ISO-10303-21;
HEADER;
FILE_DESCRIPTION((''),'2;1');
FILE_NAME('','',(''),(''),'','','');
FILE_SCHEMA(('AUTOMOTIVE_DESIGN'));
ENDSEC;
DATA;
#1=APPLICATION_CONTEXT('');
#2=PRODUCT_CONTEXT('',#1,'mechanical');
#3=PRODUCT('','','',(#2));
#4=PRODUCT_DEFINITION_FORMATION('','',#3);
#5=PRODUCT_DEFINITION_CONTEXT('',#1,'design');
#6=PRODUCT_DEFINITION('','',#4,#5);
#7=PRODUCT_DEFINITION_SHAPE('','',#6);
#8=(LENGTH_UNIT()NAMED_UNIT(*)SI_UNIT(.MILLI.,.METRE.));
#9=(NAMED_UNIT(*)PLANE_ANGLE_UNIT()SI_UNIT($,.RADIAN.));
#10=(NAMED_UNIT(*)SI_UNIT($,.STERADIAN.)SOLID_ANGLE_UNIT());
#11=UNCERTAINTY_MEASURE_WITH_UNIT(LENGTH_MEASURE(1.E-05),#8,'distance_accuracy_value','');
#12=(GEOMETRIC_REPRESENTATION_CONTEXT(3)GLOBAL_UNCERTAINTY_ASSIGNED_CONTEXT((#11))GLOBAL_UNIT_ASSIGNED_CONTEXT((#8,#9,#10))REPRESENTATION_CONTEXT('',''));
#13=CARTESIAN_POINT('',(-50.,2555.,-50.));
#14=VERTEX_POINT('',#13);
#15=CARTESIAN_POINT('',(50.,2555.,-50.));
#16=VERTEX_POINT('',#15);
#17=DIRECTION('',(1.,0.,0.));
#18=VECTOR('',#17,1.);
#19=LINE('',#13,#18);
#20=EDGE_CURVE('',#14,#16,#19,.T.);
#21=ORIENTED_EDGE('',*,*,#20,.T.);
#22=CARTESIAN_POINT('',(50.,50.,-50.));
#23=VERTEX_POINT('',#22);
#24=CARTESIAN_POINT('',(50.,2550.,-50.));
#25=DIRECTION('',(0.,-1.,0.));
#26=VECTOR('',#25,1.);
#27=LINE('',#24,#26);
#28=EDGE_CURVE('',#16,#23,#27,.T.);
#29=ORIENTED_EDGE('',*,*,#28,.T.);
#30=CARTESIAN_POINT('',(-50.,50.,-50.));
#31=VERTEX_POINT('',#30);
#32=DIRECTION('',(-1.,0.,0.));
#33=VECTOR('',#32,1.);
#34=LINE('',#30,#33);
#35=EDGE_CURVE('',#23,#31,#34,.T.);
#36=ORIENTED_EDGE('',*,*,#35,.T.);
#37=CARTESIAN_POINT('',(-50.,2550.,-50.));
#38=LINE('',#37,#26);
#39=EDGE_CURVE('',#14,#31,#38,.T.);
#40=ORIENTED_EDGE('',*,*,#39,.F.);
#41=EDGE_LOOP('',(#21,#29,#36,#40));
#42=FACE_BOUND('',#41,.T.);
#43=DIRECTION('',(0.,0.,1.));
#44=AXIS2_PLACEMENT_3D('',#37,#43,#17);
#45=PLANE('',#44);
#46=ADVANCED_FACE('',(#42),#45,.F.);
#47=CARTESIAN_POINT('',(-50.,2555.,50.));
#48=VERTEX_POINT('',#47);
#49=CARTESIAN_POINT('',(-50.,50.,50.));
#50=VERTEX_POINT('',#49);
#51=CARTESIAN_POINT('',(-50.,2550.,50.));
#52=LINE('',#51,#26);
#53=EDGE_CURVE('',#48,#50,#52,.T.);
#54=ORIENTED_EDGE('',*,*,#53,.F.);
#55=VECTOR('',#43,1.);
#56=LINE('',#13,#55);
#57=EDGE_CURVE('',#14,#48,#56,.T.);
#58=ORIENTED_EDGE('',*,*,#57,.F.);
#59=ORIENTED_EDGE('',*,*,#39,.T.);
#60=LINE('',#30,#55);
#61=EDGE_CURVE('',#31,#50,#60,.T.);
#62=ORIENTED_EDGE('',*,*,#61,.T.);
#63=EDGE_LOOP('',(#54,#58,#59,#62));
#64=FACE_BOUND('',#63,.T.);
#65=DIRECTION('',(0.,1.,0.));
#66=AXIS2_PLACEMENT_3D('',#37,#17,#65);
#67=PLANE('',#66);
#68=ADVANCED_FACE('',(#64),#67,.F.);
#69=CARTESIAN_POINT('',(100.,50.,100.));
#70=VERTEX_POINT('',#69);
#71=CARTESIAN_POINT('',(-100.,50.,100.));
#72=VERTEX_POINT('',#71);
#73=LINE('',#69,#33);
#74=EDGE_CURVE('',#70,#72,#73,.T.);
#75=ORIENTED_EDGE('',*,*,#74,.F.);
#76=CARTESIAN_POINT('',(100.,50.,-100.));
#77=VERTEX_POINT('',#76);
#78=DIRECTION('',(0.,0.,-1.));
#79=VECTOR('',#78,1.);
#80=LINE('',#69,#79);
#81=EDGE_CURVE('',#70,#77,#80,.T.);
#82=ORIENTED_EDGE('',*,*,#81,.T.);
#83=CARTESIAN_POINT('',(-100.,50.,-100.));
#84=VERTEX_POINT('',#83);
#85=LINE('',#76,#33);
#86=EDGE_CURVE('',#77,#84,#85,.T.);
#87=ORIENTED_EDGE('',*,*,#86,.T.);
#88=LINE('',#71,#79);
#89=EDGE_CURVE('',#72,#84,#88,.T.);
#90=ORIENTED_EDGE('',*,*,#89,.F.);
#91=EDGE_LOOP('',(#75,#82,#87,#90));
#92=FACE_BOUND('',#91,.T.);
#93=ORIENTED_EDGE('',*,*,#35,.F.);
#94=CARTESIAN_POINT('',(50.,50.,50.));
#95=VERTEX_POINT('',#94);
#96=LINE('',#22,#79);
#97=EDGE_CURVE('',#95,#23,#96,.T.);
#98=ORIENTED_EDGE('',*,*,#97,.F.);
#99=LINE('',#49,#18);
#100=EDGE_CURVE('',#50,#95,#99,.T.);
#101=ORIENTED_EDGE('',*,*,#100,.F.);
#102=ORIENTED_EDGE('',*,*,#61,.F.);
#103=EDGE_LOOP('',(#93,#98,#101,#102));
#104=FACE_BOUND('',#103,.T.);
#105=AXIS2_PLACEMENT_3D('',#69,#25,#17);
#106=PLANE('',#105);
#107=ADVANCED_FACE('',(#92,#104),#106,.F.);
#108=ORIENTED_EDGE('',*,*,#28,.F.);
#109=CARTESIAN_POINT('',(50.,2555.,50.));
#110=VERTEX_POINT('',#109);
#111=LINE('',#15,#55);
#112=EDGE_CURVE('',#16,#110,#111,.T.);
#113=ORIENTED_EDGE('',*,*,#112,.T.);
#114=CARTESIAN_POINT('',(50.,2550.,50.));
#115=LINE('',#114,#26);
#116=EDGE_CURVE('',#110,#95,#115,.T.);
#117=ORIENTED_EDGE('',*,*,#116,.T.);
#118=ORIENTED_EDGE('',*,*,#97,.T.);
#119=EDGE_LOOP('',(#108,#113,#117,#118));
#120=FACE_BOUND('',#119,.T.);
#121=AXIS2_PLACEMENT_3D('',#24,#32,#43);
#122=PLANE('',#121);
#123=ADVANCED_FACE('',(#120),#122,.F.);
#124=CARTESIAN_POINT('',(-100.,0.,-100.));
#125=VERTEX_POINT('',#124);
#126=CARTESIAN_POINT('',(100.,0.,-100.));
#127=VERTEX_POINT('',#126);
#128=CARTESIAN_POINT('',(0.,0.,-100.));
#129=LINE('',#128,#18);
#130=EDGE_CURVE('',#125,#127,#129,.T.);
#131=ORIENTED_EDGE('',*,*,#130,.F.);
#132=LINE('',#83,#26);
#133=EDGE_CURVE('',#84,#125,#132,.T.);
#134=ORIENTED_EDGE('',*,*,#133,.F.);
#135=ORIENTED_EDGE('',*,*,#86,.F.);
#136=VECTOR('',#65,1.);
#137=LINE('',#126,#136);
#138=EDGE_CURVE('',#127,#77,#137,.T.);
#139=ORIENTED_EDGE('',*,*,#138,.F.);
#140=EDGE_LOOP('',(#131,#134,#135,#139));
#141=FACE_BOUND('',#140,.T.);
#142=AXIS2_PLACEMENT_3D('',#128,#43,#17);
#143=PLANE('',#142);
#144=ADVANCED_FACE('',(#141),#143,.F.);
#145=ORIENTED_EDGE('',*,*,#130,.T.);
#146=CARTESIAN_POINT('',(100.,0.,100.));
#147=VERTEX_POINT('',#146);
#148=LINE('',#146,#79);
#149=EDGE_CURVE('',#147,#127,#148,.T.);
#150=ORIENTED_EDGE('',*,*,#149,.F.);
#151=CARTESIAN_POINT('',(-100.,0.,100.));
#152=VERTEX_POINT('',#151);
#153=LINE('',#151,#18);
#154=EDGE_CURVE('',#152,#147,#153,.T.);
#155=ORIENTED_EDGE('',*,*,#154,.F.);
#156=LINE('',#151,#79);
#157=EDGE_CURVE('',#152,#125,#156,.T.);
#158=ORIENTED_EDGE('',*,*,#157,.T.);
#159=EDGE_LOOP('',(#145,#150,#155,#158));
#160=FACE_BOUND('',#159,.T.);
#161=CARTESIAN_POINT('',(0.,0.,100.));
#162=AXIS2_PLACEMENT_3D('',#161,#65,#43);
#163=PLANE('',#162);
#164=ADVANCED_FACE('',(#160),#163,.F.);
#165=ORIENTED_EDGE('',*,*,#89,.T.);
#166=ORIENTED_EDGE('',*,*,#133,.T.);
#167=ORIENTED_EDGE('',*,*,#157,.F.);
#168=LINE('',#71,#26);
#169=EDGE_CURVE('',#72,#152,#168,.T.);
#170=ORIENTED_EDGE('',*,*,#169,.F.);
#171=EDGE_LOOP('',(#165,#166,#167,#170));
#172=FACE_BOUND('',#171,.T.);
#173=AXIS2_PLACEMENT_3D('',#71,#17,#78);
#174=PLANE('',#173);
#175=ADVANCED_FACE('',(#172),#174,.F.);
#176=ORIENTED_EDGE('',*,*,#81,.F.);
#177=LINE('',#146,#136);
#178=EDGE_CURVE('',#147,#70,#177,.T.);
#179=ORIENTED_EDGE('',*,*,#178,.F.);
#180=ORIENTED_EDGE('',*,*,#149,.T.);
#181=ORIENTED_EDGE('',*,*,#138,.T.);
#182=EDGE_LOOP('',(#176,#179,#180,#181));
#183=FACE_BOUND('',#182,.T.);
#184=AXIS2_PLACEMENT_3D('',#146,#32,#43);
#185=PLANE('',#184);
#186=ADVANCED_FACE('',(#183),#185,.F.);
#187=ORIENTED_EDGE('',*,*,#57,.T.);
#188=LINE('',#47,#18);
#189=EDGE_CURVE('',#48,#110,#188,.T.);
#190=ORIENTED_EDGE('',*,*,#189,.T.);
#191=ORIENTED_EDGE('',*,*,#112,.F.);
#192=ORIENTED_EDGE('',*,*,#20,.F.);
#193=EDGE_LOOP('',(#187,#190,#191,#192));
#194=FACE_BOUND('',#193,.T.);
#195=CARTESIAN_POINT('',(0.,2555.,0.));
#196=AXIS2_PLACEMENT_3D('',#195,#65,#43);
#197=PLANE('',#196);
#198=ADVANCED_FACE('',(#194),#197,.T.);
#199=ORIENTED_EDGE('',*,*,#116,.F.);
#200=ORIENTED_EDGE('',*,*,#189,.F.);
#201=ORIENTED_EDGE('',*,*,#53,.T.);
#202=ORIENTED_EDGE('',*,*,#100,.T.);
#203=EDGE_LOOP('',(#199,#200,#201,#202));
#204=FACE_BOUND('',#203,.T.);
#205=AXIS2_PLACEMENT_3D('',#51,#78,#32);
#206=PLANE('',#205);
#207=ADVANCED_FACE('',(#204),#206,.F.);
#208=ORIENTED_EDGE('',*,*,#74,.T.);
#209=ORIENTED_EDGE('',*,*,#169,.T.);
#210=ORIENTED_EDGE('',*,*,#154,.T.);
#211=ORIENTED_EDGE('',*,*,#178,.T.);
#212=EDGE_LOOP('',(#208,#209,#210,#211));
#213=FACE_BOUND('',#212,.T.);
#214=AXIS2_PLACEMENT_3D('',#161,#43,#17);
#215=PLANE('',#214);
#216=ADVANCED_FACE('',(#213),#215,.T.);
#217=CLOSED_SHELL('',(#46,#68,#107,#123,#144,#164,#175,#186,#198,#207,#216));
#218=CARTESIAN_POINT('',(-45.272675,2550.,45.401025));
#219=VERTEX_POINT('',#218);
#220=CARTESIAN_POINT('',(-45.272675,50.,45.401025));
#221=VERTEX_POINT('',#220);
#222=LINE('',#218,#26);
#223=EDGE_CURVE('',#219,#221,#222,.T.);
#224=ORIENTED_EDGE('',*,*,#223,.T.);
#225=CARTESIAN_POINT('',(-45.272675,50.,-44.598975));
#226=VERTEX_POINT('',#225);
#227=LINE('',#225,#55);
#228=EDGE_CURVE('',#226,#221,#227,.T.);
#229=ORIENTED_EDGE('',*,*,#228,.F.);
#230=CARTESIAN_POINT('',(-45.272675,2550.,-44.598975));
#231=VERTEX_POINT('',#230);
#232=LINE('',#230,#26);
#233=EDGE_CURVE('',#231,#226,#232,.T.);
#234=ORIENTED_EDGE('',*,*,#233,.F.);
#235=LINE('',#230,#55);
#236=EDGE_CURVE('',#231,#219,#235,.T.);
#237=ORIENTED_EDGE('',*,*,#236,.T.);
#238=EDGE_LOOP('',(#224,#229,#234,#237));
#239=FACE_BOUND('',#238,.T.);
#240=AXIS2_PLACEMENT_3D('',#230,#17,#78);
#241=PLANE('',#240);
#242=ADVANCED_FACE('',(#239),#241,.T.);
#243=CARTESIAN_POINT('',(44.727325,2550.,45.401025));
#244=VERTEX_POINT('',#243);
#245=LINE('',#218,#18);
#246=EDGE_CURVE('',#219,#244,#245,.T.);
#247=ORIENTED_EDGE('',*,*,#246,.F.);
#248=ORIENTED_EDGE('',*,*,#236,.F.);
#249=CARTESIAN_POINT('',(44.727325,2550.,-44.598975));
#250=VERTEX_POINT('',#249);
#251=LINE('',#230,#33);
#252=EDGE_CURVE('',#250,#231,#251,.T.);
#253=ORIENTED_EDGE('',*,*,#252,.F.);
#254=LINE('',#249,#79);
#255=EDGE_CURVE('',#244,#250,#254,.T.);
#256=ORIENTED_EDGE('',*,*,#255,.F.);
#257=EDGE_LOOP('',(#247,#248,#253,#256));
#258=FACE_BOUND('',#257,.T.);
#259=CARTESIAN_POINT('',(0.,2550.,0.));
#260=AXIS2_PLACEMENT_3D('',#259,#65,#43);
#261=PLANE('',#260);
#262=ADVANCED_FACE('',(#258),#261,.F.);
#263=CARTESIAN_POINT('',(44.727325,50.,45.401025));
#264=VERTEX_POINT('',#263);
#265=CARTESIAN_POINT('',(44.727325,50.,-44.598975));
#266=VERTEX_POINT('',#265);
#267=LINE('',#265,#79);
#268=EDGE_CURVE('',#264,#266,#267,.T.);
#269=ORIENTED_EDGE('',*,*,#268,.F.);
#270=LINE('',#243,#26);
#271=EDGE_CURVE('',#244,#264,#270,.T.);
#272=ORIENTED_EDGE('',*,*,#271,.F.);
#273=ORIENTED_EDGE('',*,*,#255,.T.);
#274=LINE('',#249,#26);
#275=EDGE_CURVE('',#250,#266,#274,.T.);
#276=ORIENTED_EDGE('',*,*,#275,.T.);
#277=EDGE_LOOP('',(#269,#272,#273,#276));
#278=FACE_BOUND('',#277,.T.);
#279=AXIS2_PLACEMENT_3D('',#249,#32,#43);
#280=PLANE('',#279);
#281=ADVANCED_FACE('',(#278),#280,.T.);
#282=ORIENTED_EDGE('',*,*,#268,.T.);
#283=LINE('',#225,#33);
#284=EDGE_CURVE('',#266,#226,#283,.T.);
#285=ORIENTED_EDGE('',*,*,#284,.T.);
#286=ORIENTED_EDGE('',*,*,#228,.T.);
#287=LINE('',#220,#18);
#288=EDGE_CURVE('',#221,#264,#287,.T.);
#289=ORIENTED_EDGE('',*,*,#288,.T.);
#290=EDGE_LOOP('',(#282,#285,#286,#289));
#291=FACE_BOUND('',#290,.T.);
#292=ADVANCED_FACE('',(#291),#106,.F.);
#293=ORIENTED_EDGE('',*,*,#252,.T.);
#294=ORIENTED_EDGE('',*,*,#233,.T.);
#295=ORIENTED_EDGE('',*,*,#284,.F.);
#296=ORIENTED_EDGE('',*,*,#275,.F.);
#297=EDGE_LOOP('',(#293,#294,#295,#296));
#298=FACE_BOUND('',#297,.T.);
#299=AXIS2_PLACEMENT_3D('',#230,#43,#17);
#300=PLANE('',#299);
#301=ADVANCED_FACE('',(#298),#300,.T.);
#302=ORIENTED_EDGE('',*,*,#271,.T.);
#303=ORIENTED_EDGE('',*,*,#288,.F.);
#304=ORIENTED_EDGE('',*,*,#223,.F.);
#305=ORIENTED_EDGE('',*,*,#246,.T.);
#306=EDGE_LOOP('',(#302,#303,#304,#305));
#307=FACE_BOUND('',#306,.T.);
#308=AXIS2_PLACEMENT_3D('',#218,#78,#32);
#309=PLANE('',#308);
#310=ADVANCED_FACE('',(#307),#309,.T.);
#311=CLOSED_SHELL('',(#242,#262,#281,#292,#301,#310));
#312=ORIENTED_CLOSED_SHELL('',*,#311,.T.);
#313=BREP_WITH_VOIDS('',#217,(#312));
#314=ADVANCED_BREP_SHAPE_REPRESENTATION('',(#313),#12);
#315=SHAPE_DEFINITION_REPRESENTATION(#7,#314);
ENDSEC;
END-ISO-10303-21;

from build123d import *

# Parameters (mm, degrees)
ESTRUSIONE_ESTRUSIONE1_DEPTH = 100
SCHIZZO2_W                   = 100
SCHIZZO2_H                   = 100
SCHIZZO2_W_2                 = 90
SCHIZZO2_H_2                 = 90
ESTRUSIONE_ESTRUSIONE2_DEPTH = 2500
SCHIZZO3_W                   = 100
SCHIZZO3_H                   = 100
ESTRUSIONE_ESTRUSIONE3_DEPTH = 5


with BuildPart() as part:
    # Schizzo1 → Estrusione-Estrusione1 (new body, symmetric)
    with BuildSketch(Plane.XY):
        Polygon((0, 0), (100, 0), (100, 50), (-100, 50), (-100, 0), align=None)
    extrude(amount=ESTRUSIONE_ESTRUSIONE1_DEPTH, both=True)

    # Schizzo2 → Estrusione-Estrusione2 (add)
    with BuildSketch(Plane(origin=(0, 50, 0), x_dir=(1, 0, 0), z_dir=(0, 1, 0))):
        Rectangle(SCHIZZO2_W, SCHIZZO2_H)
        with Locations((-0.272675023, -0.401025499)):
            Rectangle(SCHIZZO2_W_2, SCHIZZO2_H_2, mode=Mode.SUBTRACT)
    extrude(amount=ESTRUSIONE_ESTRUSIONE2_DEPTH)

    # Schizzo3 → Estrusione-Estrusione3 (add)
    with BuildSketch(Plane(origin=(0, 2550, 0), x_dir=(1, 0, 0), z_dir=(0, 1, 0))):
        Rectangle(SCHIZZO3_W, SCHIZZO3_H)
    extrude(amount=ESTRUSIONE_ESTRUSIONE3_DEPTH)


solid = part.part
